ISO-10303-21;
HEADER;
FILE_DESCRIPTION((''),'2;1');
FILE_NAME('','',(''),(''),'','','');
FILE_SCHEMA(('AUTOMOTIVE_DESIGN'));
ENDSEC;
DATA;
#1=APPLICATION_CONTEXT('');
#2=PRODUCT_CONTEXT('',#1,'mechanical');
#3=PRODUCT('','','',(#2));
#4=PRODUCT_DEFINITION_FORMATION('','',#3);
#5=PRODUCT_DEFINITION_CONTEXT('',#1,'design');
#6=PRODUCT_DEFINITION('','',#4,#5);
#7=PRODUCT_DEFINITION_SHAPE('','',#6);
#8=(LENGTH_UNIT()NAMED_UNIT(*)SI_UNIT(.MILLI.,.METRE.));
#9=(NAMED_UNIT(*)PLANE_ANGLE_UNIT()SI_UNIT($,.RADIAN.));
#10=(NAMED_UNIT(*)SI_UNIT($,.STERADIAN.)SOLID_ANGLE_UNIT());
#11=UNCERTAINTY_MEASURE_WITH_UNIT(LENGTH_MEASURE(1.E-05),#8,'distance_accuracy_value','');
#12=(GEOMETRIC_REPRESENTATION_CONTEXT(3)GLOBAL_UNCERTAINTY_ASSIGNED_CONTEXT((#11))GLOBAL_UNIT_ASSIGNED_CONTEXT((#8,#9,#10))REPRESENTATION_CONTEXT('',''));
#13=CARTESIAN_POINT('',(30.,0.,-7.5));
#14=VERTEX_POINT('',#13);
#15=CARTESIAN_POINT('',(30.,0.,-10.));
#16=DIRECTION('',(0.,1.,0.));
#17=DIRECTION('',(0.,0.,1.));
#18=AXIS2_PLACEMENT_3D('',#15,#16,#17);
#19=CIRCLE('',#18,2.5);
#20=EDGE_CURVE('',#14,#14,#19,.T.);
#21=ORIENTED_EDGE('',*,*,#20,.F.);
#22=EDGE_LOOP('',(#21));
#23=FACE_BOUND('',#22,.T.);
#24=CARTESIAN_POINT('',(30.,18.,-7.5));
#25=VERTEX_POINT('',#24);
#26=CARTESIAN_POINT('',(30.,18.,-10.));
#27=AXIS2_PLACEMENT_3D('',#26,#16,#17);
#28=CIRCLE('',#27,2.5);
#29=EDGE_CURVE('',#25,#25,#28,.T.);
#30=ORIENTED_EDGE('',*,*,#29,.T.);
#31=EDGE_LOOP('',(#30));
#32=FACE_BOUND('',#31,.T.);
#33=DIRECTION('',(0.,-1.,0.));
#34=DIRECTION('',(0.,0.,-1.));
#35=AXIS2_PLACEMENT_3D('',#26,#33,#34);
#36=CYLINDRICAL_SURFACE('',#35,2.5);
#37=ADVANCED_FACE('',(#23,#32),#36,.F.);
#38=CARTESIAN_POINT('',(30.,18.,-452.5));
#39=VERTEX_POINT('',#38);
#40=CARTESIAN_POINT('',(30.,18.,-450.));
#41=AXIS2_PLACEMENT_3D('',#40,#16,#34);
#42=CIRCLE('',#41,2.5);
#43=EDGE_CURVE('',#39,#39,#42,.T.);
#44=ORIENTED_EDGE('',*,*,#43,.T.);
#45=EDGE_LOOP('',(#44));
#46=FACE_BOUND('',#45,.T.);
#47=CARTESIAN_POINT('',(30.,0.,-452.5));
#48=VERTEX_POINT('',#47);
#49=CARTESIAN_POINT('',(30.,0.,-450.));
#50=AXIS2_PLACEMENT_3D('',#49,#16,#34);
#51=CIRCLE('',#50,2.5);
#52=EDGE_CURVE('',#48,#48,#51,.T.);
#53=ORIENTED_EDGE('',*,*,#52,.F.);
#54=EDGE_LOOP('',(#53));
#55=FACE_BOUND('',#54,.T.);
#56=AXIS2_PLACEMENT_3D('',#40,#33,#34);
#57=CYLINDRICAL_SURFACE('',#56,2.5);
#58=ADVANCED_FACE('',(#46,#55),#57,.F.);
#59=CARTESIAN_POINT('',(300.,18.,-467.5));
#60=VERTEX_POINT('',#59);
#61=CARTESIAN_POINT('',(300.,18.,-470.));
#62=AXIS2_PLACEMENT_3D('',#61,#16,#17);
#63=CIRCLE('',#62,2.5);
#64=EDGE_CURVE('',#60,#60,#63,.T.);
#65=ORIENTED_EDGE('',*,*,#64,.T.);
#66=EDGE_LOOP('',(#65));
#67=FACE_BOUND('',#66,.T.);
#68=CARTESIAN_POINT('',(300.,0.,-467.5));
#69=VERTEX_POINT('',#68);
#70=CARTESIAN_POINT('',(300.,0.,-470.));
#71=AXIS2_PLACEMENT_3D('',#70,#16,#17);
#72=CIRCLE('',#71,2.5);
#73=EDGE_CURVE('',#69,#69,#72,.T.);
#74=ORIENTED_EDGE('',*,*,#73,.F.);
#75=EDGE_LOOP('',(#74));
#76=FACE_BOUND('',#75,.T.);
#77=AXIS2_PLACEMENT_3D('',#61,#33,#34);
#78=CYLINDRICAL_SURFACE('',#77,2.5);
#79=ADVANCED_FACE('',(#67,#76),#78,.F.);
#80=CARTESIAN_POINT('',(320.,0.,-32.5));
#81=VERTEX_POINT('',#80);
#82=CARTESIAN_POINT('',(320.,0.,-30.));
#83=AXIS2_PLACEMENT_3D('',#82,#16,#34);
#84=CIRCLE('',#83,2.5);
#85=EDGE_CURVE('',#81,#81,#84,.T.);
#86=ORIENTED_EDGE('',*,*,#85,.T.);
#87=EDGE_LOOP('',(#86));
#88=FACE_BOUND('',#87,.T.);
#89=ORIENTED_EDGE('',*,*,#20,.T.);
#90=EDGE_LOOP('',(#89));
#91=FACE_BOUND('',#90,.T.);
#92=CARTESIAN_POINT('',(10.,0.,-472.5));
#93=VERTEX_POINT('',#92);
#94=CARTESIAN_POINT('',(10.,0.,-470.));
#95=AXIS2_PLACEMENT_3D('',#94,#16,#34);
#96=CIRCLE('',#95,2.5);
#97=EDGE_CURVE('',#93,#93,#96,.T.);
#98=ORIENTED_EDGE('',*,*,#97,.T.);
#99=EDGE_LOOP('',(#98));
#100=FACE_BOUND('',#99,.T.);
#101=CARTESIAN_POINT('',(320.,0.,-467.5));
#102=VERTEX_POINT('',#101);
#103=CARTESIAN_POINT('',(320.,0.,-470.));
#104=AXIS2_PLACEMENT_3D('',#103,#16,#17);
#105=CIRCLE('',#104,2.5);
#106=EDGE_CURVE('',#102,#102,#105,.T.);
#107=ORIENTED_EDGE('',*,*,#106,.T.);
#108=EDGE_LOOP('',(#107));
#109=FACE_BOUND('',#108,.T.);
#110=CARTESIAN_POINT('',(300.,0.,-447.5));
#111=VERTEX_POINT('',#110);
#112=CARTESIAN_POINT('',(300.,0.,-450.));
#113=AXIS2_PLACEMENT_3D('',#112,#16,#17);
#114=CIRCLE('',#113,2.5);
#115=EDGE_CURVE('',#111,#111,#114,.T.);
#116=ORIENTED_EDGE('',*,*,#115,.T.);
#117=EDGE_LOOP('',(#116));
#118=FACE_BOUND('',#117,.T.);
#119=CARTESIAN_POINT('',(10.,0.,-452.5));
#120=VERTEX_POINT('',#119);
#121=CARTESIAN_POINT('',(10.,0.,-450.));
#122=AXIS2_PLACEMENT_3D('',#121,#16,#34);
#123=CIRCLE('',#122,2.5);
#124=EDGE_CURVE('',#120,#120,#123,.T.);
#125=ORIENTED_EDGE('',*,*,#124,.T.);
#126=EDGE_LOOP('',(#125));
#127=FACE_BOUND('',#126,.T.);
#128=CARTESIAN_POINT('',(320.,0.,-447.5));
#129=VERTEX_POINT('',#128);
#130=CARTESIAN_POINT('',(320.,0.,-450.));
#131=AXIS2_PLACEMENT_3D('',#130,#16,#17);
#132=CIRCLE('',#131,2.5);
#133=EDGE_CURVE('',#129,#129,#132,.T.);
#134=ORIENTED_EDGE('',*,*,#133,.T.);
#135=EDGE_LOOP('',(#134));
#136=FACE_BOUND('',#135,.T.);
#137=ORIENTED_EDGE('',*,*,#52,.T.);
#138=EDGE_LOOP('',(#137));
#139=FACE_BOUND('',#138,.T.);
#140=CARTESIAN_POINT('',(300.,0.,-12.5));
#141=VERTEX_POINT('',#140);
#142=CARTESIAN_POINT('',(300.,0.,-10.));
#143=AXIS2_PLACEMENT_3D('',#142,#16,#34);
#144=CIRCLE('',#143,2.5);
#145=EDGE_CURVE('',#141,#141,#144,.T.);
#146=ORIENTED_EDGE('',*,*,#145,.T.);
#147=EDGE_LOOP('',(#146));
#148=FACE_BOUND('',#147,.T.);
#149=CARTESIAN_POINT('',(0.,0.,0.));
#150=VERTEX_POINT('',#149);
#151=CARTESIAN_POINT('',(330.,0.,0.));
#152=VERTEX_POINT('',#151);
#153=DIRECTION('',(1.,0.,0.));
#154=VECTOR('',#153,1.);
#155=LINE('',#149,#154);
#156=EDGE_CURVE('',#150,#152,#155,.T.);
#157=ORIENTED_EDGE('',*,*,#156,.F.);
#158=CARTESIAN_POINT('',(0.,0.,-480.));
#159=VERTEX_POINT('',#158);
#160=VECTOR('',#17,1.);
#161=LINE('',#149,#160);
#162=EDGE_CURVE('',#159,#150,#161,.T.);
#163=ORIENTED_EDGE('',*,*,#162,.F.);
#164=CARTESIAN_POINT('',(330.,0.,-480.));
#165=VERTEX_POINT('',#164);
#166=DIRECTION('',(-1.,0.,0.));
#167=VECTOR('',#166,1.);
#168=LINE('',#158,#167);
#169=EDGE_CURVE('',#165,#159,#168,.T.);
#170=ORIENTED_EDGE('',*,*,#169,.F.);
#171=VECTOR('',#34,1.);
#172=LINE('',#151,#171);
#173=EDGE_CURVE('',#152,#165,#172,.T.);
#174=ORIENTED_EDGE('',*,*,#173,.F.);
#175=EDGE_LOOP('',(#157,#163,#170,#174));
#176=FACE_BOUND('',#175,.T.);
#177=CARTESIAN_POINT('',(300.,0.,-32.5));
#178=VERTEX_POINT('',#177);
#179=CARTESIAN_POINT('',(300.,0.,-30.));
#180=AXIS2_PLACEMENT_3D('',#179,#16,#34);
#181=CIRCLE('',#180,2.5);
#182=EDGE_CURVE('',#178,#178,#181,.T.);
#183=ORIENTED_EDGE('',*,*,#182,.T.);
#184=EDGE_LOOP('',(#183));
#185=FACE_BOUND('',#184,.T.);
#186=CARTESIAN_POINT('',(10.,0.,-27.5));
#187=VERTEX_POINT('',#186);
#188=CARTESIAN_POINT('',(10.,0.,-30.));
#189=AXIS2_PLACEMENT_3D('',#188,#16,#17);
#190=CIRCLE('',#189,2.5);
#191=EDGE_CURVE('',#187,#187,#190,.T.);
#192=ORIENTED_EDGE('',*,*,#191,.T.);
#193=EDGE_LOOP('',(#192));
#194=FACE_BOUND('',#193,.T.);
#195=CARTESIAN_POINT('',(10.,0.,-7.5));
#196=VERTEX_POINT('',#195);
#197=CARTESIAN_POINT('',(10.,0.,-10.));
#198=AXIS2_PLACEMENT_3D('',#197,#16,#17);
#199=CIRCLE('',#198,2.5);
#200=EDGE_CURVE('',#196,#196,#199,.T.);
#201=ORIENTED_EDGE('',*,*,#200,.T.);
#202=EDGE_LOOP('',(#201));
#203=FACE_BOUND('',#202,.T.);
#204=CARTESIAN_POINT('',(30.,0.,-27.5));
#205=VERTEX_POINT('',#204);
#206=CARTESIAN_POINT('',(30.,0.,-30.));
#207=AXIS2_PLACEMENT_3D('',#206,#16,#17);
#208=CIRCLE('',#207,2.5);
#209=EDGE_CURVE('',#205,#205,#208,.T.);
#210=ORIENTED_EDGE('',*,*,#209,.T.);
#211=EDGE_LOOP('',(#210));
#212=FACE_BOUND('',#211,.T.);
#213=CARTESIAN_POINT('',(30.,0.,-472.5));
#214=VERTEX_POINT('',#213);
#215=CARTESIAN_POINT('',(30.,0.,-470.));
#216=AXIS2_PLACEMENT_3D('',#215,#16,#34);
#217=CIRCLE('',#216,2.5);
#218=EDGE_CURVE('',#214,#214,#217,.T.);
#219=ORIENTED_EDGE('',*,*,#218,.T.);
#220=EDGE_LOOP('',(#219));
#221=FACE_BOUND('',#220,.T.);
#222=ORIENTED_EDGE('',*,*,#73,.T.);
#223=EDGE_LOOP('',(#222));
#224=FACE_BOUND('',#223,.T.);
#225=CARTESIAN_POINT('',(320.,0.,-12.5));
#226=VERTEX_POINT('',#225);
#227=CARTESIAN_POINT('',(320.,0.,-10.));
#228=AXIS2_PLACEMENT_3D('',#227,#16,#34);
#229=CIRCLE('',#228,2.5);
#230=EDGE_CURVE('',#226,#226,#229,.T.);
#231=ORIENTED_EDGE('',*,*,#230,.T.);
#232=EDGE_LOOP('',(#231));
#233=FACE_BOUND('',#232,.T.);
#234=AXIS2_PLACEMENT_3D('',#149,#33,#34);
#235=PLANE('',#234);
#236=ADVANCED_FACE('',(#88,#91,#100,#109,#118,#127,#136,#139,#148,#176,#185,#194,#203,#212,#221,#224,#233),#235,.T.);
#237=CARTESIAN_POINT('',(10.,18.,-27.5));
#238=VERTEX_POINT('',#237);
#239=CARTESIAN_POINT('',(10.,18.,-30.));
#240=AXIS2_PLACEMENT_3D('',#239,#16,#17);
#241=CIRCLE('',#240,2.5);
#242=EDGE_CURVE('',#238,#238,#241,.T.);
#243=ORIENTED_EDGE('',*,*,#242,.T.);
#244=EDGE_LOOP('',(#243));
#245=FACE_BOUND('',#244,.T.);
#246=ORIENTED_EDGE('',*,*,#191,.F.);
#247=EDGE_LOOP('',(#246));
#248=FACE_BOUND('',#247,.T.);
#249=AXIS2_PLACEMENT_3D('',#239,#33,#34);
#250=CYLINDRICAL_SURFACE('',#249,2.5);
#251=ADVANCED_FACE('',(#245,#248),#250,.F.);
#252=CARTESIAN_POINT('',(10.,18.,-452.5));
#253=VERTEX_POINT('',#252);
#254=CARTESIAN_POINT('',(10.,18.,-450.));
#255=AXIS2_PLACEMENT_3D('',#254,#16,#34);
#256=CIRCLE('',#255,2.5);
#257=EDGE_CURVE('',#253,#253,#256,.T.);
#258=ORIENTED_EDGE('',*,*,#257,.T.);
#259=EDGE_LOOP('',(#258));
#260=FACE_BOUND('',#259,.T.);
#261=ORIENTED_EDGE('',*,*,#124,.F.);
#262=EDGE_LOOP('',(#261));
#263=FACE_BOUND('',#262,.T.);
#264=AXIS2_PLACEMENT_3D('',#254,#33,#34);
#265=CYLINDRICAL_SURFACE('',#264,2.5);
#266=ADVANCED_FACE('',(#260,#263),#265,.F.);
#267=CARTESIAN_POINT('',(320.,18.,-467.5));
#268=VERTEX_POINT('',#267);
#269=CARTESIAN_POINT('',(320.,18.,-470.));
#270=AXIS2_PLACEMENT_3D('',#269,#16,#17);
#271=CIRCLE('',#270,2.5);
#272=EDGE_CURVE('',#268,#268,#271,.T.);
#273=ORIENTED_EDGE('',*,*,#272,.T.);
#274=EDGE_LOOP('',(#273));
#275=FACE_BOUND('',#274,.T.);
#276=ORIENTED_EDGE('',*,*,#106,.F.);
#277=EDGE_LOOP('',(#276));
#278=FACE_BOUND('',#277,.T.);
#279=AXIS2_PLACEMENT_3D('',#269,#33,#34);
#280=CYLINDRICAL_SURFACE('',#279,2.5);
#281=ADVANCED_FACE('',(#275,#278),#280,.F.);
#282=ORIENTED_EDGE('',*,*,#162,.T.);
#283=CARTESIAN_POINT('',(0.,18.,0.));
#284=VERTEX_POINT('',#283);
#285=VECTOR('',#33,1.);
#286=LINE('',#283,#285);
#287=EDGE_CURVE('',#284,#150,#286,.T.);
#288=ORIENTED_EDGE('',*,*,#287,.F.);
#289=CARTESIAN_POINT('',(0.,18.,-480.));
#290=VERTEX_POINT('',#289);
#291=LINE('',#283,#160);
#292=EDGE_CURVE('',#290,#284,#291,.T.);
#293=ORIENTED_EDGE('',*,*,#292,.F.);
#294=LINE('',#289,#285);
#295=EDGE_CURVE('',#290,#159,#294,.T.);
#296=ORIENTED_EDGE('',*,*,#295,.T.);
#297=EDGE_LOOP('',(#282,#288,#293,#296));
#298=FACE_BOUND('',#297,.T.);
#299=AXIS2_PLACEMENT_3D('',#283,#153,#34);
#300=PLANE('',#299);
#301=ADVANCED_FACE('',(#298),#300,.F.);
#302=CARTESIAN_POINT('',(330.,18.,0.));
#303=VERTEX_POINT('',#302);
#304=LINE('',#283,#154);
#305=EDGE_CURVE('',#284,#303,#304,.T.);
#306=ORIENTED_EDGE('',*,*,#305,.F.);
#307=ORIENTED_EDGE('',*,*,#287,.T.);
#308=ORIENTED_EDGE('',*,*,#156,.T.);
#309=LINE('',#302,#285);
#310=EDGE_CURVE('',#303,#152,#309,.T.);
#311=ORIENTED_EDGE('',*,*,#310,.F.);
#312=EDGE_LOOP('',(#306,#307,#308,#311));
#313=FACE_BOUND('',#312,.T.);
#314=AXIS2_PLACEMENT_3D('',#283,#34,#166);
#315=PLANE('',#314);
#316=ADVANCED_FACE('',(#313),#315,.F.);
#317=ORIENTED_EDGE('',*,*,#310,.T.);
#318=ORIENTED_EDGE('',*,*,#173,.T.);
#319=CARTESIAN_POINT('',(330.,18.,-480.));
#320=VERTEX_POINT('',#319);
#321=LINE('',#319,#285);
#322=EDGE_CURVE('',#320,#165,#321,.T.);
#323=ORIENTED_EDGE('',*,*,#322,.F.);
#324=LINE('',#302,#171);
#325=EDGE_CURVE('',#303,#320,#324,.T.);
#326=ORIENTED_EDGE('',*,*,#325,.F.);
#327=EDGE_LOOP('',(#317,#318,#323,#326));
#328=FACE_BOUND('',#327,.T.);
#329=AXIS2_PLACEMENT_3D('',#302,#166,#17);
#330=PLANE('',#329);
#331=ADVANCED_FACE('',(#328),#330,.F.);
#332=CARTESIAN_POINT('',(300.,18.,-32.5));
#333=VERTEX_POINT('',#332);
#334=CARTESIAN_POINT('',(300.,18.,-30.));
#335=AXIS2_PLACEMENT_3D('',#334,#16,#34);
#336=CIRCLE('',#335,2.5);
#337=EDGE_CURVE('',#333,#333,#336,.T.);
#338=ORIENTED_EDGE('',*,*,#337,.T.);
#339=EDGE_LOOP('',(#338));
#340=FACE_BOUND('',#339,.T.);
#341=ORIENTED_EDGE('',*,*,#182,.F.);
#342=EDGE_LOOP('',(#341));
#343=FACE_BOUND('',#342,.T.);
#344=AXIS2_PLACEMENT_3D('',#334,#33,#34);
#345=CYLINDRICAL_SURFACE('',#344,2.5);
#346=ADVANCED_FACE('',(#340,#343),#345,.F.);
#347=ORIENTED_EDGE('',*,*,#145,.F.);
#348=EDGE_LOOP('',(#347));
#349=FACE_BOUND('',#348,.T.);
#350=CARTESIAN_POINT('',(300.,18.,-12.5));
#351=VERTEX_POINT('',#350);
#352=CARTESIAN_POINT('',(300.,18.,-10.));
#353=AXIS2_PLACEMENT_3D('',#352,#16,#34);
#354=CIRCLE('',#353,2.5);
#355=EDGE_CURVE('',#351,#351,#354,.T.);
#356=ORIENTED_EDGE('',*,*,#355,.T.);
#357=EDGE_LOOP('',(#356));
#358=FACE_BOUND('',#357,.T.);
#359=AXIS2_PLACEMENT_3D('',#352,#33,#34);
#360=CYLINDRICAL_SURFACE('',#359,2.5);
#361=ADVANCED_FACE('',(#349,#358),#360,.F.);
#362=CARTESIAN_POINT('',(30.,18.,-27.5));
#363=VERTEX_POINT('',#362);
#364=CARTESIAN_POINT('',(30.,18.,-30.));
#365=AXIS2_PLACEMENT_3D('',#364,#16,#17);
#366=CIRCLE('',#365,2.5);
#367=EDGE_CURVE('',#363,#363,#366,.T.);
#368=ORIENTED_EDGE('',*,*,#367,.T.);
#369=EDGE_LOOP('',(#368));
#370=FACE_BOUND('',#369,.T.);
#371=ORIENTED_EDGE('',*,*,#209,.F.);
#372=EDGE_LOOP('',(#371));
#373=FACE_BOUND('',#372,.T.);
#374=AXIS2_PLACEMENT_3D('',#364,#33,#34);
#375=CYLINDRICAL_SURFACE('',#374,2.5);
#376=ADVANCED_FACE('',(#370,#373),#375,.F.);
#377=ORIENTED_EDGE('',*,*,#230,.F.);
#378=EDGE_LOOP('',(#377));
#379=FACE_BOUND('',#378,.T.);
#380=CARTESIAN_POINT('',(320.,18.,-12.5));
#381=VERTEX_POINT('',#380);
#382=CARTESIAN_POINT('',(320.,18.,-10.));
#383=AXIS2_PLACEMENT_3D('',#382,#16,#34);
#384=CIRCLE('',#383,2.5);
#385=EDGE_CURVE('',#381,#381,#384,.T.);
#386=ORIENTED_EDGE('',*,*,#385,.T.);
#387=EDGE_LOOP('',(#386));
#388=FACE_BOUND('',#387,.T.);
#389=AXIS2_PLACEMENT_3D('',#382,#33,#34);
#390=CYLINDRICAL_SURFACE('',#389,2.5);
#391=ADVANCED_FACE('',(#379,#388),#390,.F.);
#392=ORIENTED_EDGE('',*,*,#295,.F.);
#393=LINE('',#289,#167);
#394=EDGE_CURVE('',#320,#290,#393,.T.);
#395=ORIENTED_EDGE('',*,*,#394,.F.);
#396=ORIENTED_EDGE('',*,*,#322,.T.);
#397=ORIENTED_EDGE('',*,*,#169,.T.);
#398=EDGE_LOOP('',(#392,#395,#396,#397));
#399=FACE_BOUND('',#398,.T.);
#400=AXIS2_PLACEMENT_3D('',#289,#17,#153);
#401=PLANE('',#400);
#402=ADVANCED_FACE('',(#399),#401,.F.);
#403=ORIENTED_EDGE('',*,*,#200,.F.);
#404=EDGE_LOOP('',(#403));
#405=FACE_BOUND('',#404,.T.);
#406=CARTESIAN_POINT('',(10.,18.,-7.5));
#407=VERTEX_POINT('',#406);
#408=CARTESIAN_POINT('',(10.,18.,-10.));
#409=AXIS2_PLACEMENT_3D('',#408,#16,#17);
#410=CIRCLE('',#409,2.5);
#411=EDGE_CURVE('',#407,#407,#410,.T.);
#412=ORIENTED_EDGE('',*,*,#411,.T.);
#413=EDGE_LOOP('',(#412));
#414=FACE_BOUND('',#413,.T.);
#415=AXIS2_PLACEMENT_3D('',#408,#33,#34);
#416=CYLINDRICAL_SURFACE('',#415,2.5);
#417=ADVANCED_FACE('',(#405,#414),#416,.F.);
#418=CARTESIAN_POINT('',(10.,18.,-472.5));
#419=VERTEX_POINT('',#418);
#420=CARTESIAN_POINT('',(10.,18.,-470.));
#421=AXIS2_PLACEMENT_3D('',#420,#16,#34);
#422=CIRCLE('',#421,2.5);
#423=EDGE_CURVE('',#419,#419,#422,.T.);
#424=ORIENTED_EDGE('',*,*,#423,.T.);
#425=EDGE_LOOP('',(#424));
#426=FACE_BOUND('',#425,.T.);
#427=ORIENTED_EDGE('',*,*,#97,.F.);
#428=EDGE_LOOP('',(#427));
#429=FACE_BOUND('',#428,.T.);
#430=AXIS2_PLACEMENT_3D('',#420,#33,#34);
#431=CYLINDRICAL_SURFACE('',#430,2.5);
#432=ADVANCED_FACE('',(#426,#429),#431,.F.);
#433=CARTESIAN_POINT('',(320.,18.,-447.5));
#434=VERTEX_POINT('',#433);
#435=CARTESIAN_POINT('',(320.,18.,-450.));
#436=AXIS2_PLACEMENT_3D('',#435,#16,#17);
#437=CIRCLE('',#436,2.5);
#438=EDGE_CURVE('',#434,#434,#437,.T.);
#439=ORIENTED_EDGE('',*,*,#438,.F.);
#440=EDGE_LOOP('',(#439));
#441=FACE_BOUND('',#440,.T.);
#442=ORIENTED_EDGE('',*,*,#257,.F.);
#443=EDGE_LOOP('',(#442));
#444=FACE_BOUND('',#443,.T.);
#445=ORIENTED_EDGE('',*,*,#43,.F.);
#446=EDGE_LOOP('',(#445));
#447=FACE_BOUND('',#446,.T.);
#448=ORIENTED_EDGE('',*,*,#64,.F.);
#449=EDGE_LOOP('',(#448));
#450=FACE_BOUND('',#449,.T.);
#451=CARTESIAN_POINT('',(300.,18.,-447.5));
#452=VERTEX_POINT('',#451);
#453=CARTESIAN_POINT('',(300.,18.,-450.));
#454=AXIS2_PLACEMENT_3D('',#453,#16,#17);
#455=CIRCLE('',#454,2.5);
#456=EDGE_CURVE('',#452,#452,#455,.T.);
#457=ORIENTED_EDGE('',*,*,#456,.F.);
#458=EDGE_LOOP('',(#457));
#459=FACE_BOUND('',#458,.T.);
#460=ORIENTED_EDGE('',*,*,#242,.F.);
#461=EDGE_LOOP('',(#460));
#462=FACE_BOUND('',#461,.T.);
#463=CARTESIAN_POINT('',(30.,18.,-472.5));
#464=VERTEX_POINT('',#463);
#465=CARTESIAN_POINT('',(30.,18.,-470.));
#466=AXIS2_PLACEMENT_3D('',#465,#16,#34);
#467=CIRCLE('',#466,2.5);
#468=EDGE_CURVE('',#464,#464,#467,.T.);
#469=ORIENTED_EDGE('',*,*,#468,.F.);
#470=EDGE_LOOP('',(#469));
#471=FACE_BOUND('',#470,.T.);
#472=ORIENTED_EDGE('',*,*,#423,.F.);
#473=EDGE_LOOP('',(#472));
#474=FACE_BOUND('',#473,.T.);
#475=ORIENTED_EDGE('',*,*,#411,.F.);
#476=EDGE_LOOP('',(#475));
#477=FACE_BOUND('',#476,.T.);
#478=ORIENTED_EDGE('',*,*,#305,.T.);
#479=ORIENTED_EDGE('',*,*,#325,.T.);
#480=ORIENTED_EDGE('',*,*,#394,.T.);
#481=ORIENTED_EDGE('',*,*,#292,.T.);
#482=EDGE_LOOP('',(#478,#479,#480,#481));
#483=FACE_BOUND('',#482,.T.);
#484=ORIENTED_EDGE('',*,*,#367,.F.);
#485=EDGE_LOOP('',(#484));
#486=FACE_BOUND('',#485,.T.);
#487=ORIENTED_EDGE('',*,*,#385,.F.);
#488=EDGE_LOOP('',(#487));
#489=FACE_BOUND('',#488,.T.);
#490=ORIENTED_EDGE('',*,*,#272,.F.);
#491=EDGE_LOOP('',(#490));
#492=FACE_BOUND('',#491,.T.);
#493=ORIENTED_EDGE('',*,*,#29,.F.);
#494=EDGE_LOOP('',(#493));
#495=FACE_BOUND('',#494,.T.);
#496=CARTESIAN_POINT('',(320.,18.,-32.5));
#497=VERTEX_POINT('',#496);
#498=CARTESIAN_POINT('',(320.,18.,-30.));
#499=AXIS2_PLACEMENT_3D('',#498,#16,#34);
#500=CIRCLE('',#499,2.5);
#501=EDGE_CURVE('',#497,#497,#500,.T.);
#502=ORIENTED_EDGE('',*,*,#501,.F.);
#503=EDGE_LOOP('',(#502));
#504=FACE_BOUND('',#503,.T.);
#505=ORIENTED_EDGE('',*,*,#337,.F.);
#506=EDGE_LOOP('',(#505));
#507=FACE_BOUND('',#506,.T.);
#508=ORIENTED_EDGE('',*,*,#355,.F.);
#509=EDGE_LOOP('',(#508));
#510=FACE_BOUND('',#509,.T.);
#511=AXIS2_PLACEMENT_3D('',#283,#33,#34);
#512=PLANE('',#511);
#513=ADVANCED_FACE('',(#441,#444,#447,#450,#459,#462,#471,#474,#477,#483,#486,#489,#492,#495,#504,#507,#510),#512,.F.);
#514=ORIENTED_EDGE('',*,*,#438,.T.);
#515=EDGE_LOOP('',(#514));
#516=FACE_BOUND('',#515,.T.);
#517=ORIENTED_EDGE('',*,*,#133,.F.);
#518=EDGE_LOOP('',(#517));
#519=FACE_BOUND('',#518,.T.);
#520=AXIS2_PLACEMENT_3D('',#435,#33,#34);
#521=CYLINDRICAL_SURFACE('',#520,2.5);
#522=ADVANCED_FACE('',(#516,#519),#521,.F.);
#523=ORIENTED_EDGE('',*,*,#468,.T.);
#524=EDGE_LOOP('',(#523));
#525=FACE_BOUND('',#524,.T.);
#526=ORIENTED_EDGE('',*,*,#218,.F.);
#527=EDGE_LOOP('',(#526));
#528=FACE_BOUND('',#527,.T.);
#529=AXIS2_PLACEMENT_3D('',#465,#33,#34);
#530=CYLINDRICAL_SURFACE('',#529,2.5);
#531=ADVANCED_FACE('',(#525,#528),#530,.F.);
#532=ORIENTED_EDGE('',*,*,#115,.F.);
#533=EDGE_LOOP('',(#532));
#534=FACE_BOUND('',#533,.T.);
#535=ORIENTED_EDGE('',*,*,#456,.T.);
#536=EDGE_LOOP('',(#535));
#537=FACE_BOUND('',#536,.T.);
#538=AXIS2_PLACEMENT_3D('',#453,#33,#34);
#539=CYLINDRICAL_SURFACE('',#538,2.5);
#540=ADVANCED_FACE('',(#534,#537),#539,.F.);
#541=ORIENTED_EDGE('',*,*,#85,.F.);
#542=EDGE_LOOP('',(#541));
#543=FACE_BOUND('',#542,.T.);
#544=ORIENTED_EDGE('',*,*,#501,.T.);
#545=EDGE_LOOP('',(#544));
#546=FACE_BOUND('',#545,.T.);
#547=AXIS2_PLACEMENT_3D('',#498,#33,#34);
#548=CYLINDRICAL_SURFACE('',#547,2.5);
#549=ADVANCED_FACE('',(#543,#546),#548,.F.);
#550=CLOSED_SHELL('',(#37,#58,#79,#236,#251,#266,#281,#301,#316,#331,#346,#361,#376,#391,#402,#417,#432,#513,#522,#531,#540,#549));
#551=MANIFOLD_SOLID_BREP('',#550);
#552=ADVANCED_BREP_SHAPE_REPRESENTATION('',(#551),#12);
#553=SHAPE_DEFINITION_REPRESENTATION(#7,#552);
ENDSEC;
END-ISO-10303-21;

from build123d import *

# Parameters (mm, degrees)
SKETCH1_W           = 330
SKETCH1_H           = 480
SKETCH1_R           = 2.5
BOSS_EXTRUDE1_DEPTH = 18


with BuildPart() as part:
    # Sketch1 → Boss-Extrude1 (new body)
    with BuildSketch(Plane(origin=(0, 0, 0), x_dir=(1, 0, 0), z_dir=(0, 1, 0))):
        with Locations((165, 240)):
            Rectangle(SKETCH1_W, SKETCH1_H)
        with Locations((10, 10)):
            Circle(SKETCH1_R, mode=Mode.SUBTRACT)
        with Locations((30, 10)):
            Circle(SKETCH1_R, mode=Mode.SUBTRACT)
        with Locations((10, 30)):
            Circle(SKETCH1_R, mode=Mode.SUBTRACT)
        with Locations((30, 30)):
            Circle(SKETCH1_R, mode=Mode.SUBTRACT)
        with Locations((320, 30)):
            Circle(SKETCH1_R, mode=Mode.SUBTRACT)
        with Locations((320, 10)):
            Circle(SKETCH1_R, mode=Mode.SUBTRACT)
        with Locations((300, 10)):
            Circle(SKETCH1_R, mode=Mode.SUBTRACT)
        with Locations((300, 30)):
            Circle(SKETCH1_R, mode=Mode.SUBTRACT)
        with Locations((300, 470)):
            Circle(SKETCH1_R, mode=Mode.SUBTRACT)
        with Locations((320, 470)):
            Circle(SKETCH1_R, mode=Mode.SUBTRACT)
        with Locations((320, 450)):
            Circle(SKETCH1_R, mode=Mode.SUBTRACT)
        with Locations((300, 450)):
            Circle(SKETCH1_R, mode=Mode.SUBTRACT)
        with Locations((30, 470)):
            Circle(SKETCH1_R, mode=Mode.SUBTRACT)
        with Locations((10, 470)):
            Circle(SKETCH1_R, mode=Mode.SUBTRACT)
        with Locations((10, 450)):
            Circle(SKETCH1_R, mode=Mode.SUBTRACT)
        with Locations((30, 450)):
            Circle(SKETCH1_R, mode=Mode.SUBTRACT)
    extrude(amount=BOSS_EXTRUDE1_DEPTH)


solid = part.part
